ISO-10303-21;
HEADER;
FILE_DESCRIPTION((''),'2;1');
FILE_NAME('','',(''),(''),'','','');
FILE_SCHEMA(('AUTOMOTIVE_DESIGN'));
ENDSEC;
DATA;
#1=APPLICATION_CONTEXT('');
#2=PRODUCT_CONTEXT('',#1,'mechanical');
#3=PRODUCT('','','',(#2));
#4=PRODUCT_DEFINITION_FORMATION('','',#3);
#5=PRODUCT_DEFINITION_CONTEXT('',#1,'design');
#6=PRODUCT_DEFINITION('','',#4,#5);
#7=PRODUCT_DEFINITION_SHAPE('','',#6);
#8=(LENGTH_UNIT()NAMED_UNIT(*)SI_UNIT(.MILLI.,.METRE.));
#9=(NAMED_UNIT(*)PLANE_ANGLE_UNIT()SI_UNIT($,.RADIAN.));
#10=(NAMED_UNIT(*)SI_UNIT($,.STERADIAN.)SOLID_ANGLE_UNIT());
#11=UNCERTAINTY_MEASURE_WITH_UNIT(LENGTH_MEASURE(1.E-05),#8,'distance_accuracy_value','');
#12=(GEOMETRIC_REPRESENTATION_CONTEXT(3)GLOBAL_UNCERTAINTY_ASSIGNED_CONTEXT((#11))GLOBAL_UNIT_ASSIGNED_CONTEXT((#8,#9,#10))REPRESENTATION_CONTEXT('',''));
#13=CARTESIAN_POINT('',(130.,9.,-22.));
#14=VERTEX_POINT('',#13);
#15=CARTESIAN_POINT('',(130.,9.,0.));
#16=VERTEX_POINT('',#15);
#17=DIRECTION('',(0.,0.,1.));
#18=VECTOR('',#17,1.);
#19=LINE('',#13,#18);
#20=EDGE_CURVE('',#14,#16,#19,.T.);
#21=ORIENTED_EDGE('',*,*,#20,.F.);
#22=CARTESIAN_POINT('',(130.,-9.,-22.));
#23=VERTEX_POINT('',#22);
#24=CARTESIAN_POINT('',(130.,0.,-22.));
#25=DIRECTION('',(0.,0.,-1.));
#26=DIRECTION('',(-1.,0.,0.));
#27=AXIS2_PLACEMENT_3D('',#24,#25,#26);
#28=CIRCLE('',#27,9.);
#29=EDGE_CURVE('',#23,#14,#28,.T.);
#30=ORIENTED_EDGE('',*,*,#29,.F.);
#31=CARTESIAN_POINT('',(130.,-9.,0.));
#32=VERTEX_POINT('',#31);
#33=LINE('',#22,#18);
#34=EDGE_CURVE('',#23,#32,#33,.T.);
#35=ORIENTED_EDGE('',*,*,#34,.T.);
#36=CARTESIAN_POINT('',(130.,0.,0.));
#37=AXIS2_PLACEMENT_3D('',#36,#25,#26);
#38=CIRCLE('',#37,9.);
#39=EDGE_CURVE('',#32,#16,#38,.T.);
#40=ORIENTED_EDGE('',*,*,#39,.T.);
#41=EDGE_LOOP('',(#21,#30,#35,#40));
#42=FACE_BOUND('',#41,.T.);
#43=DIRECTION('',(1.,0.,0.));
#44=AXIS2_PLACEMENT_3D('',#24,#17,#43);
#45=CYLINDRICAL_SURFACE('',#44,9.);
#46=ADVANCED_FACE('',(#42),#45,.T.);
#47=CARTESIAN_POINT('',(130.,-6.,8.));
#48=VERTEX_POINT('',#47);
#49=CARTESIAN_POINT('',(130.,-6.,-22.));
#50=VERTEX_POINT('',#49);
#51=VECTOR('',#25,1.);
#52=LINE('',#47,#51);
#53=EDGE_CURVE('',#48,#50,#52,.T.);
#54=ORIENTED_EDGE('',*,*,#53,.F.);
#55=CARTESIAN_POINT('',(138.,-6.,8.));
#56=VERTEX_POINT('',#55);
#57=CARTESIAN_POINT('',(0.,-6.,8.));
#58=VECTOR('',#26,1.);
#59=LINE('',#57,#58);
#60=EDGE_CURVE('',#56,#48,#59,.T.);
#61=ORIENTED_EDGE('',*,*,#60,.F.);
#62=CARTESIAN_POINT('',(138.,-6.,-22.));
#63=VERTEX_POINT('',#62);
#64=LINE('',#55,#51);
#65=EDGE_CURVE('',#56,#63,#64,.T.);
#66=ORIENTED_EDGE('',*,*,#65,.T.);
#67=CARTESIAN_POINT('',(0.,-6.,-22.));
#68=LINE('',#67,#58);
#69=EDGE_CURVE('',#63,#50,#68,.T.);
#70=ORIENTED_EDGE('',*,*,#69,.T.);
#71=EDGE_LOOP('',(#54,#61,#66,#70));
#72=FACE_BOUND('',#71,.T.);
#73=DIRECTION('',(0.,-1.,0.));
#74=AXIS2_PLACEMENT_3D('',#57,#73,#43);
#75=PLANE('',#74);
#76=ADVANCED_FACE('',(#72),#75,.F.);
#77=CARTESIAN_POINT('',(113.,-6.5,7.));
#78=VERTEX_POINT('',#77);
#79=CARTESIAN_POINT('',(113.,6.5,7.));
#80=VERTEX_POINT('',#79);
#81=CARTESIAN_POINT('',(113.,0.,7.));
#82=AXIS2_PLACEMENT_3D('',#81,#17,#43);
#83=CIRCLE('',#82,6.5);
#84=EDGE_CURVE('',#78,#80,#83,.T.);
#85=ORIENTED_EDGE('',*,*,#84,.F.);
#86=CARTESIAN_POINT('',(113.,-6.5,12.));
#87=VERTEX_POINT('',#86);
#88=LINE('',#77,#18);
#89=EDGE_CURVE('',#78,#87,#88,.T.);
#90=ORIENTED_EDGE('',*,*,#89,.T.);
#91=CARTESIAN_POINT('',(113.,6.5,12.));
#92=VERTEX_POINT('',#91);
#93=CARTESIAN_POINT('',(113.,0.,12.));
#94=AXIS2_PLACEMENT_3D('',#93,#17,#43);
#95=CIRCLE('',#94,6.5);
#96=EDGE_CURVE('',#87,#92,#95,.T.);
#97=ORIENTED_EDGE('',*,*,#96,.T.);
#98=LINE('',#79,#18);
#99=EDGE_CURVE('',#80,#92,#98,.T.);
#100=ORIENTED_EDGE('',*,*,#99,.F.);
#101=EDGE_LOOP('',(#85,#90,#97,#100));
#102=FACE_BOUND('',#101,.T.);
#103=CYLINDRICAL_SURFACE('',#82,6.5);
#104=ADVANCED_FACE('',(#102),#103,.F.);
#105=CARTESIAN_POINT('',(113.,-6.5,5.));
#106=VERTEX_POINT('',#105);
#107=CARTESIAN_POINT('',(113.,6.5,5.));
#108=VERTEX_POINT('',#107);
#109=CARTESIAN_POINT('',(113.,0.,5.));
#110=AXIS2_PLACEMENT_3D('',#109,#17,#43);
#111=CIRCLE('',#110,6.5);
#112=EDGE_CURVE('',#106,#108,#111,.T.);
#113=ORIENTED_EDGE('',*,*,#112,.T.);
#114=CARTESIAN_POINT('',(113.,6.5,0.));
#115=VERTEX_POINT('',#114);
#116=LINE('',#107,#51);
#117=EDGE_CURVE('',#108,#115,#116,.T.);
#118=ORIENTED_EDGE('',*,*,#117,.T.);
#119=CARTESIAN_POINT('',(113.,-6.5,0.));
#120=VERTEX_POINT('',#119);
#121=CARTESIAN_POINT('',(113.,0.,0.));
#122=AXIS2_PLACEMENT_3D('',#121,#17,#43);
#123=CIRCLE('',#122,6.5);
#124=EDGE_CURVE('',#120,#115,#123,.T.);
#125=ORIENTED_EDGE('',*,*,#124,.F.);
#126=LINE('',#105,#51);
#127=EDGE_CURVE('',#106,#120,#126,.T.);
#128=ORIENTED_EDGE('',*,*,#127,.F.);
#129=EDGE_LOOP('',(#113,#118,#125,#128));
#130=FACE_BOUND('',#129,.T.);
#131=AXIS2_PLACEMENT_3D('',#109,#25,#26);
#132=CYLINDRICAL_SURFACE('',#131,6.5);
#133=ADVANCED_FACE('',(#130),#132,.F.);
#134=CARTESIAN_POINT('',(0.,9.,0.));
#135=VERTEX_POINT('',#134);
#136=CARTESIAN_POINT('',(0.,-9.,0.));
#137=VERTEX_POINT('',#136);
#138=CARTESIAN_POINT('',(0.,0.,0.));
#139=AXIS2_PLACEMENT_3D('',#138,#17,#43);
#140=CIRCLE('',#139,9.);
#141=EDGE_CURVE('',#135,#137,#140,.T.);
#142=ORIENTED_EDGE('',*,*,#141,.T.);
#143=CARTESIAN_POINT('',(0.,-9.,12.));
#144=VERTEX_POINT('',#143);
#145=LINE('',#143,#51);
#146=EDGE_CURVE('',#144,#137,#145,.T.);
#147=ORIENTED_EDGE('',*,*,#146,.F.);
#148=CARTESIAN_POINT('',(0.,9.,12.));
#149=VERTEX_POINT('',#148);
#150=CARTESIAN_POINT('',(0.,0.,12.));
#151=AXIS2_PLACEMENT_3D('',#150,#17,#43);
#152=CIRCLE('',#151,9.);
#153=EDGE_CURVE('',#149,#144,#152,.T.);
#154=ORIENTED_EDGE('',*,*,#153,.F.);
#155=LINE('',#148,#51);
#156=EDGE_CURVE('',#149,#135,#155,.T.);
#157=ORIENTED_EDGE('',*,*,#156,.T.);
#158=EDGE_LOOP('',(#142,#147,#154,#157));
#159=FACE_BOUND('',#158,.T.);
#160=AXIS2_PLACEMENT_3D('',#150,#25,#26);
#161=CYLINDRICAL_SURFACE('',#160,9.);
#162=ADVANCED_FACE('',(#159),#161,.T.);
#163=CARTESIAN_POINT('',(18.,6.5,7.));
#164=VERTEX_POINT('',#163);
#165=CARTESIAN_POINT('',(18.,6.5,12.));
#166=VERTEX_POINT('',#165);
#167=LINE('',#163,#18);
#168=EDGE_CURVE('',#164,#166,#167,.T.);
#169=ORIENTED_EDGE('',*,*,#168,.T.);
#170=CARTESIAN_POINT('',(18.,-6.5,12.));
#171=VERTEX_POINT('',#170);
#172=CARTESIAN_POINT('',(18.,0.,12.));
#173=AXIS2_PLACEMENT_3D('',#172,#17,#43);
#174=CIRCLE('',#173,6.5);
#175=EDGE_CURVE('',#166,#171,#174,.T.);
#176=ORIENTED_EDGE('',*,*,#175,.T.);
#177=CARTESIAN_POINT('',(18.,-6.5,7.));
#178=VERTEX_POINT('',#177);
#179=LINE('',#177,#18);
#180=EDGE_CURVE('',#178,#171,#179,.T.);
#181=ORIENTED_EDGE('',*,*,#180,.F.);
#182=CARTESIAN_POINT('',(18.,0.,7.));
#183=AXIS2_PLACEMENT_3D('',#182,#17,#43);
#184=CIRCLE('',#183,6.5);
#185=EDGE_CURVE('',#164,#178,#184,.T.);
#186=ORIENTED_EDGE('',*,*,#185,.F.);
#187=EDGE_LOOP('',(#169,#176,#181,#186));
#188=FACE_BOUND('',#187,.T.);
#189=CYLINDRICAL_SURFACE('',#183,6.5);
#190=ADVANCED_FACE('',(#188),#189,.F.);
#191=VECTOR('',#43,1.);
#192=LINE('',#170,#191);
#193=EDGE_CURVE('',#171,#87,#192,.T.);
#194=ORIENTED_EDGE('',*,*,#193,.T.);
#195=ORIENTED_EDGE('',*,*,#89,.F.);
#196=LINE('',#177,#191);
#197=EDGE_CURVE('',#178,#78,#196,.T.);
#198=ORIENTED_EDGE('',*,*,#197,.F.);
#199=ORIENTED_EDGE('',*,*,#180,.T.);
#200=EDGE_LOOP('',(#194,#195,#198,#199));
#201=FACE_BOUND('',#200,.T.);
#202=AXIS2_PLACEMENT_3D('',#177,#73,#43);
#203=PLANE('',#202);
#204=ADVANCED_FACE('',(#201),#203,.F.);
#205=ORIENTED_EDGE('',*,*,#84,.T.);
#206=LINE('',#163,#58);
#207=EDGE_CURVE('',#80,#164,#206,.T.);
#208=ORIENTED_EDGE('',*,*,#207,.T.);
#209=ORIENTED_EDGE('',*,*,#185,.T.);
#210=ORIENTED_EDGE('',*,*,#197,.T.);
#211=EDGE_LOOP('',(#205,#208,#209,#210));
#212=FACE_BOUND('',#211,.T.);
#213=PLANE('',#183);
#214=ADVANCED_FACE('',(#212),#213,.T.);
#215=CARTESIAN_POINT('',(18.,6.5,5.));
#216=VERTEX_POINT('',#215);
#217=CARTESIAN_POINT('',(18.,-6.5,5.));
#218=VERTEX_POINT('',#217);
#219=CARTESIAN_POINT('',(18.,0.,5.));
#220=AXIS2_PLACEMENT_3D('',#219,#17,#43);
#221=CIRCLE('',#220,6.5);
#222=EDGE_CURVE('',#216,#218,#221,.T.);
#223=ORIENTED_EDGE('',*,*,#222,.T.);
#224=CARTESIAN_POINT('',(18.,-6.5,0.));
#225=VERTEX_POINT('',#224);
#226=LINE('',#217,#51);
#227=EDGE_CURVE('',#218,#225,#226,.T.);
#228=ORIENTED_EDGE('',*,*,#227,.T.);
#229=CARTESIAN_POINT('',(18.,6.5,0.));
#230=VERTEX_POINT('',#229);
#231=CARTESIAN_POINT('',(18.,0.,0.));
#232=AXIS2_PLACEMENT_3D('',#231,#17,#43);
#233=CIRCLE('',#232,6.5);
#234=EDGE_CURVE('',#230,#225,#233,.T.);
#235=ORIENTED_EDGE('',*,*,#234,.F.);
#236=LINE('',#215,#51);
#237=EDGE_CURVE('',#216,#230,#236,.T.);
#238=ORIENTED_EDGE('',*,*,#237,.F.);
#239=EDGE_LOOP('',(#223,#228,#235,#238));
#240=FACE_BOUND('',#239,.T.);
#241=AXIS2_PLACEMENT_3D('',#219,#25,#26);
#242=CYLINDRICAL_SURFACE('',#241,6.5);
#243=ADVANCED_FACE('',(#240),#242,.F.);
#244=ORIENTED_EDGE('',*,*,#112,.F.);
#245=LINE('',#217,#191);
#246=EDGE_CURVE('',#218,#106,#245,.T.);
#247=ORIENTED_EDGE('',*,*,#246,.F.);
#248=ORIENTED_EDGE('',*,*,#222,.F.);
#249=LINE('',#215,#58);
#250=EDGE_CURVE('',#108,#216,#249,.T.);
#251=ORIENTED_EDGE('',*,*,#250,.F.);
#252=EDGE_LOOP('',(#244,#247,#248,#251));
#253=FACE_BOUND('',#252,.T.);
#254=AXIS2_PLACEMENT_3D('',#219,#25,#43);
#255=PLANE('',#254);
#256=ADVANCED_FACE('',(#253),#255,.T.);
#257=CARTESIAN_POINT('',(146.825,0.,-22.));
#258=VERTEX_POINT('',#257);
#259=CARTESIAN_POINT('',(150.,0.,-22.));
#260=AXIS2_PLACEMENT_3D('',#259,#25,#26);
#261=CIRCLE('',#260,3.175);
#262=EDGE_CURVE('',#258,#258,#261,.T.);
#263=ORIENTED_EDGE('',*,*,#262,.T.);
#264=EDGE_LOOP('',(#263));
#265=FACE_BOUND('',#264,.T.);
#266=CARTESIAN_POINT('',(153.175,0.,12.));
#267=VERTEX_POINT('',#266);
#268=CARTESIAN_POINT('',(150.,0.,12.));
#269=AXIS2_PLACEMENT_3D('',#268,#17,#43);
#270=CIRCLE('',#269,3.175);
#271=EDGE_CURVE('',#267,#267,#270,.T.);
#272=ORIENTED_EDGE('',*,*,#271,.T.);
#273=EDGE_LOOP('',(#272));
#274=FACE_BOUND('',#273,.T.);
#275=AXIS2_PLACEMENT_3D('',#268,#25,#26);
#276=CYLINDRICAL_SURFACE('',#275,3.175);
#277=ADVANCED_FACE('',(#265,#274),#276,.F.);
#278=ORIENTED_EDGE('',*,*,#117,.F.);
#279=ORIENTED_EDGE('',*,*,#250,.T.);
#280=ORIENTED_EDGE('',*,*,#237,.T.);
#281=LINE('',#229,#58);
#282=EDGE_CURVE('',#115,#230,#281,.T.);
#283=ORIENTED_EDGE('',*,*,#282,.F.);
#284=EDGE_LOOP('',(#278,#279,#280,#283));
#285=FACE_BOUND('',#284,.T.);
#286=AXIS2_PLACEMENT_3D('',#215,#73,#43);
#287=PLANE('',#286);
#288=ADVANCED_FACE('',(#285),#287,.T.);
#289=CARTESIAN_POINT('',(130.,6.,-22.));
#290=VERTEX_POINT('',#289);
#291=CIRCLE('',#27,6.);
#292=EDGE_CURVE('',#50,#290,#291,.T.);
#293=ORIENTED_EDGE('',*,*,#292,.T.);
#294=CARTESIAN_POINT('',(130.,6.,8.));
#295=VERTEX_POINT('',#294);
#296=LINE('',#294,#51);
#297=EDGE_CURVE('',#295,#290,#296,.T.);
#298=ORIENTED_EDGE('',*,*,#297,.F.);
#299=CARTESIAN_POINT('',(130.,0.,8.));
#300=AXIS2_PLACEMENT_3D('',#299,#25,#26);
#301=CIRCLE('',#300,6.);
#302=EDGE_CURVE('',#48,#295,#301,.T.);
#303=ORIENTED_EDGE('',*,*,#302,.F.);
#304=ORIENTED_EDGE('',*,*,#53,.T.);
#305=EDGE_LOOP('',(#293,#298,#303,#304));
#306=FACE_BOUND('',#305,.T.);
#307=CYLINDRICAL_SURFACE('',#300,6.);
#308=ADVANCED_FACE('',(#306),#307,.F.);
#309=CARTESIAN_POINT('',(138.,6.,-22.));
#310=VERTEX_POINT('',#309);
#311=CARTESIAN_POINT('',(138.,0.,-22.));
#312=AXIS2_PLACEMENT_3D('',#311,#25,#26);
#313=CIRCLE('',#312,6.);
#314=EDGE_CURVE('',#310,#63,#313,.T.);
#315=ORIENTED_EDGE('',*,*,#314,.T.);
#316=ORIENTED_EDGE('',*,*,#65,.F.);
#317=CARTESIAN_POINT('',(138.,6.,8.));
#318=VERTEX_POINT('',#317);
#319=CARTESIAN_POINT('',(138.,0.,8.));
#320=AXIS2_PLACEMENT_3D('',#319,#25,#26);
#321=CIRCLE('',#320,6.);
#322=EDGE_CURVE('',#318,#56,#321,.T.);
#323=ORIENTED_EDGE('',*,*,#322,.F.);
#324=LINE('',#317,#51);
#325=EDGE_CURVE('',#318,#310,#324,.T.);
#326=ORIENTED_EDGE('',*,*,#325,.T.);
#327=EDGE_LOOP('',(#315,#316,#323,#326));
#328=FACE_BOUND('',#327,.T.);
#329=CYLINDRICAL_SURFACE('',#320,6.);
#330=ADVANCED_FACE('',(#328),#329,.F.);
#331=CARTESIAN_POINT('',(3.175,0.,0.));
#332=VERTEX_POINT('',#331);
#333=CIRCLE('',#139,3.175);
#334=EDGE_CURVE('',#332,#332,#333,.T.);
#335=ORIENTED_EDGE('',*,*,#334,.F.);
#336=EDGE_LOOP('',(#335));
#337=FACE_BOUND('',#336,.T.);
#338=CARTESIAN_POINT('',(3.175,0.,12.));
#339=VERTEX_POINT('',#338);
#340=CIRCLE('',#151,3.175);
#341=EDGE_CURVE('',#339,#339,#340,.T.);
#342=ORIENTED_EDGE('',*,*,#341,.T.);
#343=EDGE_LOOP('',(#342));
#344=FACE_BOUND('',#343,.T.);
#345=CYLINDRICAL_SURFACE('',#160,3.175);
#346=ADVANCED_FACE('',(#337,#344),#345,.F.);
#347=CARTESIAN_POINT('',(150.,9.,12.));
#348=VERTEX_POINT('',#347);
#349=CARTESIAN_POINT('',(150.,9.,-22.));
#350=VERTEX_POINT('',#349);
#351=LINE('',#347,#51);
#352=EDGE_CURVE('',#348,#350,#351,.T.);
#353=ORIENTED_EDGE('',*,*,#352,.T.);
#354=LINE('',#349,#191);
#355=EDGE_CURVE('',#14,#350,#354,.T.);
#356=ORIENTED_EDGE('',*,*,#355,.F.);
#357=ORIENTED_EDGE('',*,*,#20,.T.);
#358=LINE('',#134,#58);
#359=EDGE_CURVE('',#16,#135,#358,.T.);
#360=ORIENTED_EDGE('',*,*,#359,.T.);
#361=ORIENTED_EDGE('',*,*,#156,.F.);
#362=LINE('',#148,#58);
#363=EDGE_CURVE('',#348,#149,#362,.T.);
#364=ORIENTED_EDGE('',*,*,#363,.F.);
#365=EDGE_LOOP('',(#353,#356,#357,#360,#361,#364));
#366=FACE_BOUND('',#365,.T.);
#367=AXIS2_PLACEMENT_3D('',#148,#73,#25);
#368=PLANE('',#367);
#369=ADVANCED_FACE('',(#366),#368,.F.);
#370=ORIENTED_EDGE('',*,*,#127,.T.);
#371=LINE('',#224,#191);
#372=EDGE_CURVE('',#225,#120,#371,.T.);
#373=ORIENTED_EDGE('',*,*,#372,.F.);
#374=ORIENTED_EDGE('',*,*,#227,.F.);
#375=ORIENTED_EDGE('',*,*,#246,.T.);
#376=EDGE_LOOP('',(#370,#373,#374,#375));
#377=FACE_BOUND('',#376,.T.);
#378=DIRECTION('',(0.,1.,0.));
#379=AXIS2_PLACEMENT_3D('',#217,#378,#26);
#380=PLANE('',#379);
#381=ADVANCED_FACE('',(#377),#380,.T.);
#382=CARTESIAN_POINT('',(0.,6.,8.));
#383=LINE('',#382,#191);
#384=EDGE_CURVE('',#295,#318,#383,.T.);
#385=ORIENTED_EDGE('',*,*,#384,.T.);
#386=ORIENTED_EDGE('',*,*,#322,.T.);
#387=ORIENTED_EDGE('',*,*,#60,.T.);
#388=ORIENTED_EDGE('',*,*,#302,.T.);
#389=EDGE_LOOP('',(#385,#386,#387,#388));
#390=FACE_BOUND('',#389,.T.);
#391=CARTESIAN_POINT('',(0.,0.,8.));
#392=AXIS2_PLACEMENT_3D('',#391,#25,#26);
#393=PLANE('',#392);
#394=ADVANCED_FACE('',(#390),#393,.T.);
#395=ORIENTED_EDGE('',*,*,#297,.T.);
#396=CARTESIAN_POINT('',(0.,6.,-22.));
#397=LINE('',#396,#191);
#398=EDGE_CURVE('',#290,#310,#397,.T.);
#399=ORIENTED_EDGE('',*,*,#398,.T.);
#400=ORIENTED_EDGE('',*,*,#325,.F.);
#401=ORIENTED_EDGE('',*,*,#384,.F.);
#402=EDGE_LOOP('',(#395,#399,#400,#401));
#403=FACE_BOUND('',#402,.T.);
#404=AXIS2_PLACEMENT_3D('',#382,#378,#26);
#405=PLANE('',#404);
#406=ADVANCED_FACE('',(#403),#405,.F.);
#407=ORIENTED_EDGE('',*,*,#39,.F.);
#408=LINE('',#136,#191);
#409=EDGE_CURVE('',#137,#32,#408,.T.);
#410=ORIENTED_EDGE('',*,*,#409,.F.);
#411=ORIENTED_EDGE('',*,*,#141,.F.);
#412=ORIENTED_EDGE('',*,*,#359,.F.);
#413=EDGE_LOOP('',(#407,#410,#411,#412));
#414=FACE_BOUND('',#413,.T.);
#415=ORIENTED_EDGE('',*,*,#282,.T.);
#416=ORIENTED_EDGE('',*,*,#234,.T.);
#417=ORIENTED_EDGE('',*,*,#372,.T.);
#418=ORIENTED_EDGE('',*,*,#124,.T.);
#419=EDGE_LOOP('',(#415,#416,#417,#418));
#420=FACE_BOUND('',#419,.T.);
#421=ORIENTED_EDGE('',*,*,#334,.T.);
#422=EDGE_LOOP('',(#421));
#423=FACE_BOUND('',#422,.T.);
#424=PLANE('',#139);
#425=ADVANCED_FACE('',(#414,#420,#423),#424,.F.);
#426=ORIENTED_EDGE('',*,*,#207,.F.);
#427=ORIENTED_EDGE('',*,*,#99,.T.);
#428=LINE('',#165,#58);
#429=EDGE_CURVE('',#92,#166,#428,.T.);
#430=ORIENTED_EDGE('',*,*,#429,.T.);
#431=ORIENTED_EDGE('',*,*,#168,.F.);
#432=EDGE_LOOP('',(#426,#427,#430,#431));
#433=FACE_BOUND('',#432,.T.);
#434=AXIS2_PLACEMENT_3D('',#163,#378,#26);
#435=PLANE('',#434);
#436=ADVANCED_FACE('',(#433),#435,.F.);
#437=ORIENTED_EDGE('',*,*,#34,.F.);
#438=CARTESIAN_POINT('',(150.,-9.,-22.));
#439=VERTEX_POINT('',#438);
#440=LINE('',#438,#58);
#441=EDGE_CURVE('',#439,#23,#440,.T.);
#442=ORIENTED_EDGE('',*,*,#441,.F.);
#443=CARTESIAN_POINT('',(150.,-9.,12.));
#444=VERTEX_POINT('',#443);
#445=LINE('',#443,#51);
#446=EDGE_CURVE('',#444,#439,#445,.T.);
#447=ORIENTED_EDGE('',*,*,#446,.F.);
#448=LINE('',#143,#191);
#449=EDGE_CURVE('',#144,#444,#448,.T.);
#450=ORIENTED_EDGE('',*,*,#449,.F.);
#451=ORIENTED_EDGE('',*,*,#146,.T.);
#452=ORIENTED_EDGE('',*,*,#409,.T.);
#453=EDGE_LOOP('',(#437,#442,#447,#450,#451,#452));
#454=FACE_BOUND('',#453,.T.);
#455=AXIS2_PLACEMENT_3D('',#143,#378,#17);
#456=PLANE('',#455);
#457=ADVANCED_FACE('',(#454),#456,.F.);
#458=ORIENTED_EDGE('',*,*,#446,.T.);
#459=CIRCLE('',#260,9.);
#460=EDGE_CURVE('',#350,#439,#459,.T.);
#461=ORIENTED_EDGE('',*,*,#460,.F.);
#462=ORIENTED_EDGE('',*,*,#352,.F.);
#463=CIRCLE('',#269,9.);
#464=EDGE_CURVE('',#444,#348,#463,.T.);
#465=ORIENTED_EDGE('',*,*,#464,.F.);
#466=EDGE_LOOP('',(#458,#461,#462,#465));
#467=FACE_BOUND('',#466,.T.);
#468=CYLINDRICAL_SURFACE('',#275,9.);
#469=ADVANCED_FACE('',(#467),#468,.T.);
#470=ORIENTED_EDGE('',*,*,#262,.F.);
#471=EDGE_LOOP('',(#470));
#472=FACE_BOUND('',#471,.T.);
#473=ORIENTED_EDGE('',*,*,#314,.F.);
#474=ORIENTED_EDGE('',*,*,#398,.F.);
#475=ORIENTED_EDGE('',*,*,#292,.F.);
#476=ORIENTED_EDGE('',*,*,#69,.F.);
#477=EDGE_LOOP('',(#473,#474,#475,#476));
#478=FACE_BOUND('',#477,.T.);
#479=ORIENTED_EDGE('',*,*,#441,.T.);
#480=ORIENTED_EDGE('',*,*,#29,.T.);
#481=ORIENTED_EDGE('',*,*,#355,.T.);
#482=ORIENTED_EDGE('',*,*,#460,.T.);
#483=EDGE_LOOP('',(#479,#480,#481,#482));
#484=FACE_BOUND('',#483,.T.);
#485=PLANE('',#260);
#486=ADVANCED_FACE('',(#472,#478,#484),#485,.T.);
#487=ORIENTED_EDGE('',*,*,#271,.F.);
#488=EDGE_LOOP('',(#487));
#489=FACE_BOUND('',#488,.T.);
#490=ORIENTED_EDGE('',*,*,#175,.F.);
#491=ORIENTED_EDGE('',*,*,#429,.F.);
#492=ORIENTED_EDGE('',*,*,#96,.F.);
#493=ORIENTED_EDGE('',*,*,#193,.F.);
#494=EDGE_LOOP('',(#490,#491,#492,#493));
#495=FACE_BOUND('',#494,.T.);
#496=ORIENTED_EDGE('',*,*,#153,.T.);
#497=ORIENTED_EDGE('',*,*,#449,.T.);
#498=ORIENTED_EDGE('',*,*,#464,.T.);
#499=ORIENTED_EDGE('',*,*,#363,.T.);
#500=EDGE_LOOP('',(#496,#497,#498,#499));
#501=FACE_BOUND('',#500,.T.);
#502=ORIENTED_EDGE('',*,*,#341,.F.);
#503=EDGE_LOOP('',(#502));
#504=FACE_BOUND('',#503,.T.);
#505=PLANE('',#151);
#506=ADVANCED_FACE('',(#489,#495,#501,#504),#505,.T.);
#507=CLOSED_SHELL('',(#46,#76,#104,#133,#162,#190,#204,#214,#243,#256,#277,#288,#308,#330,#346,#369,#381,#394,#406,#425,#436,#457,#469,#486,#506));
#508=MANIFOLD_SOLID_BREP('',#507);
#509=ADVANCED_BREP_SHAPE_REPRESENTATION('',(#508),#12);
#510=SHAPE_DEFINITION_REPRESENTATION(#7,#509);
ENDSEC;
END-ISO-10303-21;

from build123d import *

# Parameters (mm, degrees)
SKETCH1_R           = 3.175
BOSS_EXTRUDE1_DEPTH = 12
SKETCH2_R           = 3.175
BOSS_EXTRUDE2_DEPTH = 22
CUT_EXTRUDE1_DEPTH  = 5
CUT_EXTRUDE2_DEPTH  = 30


with BuildPart() as part:
    # Sketch1 → Boss-Extrude1 (new body)
    with BuildSketch(Plane.XY):
        with BuildLine():
            Line((0, 9), (150, 9))
            ThreePointArc((150, 9), (159, 0), (150, -9))
            Line((150, -9), (0, -9))
            ThreePointArc((0, -9), (-9, 0), (0, 9))
        make_face()
        Circle(SKETCH1_R, mode=Mode.SUBTRACT)
        with Locations((150, 0)):
            Circle(SKETCH1_R, mode=Mode.SUBTRACT)
    extrude(amount=BOSS_EXTRUDE1_DEPTH)

    # Sketch2 → Boss-Extrude2 (add)
    with BuildSketch(Plane(origin=(0, 0, 0), x_dir=(-1, 0, 0), z_dir=(0, 0, -1))):
        with BuildLine():
            Line((-150, 9), (-130, 9))
            ThreePointArc((-130, 9), (-121, 0), (-130, -9))
            Line((-130, -9), (-150, -9))
            ThreePointArc((-150, -9), (-159, 0), (-150, 9))
        make_face()
        with Locations((-150, 0)):
            Circle(SKETCH2_R, mode=Mode.SUBTRACT)
    extrude(amount=BOSS_EXTRUDE2_DEPTH)

    # Sketch3 → Cut-Extrude1 (cut)
    with BuildSketch(Plane.XY.offset(12)):
        with BuildLine():
            Line((18, 6.5), (113, 6.5))
            ThreePointArc((113, 6.5), (119.5, 0), (113, -6.5))
            Line((113, -6.5), (18, -6.5))
            ThreePointArc((18, -6.5), (11.5, 0), (18, 6.5))
        make_face()
    cut_extrude1 = extrude(amount=-CUT_EXTRUDE1_DEPTH, mode=Mode.SUBTRACT)

    # Mirror1: Cut-Extrude1 across plane
    add(cut_extrude1.mirror(Plane.XY.offset(6)), mode=Mode.SUBTRACT)

    # Sketch4 → Cut-Extrude2 (cut)
    with BuildSketch(Plane(origin=(0, 0, -22), x_dir=(-1, 0, 0), z_dir=(0, 0, -1))):
        with BuildLine():
            Line((-130, 6), (-138, 6))
            ThreePointArc((-138, 6), (-144, 0), (-138, -6))
            Line((-138, -6), (-130, -6))
            ThreePointArc((-130, -6), (-124, 0), (-130, 6))
        make_face()
    extrude(amount=-CUT_EXTRUDE2_DEPTH, mode=Mode.SUBTRACT)


solid = part.part
